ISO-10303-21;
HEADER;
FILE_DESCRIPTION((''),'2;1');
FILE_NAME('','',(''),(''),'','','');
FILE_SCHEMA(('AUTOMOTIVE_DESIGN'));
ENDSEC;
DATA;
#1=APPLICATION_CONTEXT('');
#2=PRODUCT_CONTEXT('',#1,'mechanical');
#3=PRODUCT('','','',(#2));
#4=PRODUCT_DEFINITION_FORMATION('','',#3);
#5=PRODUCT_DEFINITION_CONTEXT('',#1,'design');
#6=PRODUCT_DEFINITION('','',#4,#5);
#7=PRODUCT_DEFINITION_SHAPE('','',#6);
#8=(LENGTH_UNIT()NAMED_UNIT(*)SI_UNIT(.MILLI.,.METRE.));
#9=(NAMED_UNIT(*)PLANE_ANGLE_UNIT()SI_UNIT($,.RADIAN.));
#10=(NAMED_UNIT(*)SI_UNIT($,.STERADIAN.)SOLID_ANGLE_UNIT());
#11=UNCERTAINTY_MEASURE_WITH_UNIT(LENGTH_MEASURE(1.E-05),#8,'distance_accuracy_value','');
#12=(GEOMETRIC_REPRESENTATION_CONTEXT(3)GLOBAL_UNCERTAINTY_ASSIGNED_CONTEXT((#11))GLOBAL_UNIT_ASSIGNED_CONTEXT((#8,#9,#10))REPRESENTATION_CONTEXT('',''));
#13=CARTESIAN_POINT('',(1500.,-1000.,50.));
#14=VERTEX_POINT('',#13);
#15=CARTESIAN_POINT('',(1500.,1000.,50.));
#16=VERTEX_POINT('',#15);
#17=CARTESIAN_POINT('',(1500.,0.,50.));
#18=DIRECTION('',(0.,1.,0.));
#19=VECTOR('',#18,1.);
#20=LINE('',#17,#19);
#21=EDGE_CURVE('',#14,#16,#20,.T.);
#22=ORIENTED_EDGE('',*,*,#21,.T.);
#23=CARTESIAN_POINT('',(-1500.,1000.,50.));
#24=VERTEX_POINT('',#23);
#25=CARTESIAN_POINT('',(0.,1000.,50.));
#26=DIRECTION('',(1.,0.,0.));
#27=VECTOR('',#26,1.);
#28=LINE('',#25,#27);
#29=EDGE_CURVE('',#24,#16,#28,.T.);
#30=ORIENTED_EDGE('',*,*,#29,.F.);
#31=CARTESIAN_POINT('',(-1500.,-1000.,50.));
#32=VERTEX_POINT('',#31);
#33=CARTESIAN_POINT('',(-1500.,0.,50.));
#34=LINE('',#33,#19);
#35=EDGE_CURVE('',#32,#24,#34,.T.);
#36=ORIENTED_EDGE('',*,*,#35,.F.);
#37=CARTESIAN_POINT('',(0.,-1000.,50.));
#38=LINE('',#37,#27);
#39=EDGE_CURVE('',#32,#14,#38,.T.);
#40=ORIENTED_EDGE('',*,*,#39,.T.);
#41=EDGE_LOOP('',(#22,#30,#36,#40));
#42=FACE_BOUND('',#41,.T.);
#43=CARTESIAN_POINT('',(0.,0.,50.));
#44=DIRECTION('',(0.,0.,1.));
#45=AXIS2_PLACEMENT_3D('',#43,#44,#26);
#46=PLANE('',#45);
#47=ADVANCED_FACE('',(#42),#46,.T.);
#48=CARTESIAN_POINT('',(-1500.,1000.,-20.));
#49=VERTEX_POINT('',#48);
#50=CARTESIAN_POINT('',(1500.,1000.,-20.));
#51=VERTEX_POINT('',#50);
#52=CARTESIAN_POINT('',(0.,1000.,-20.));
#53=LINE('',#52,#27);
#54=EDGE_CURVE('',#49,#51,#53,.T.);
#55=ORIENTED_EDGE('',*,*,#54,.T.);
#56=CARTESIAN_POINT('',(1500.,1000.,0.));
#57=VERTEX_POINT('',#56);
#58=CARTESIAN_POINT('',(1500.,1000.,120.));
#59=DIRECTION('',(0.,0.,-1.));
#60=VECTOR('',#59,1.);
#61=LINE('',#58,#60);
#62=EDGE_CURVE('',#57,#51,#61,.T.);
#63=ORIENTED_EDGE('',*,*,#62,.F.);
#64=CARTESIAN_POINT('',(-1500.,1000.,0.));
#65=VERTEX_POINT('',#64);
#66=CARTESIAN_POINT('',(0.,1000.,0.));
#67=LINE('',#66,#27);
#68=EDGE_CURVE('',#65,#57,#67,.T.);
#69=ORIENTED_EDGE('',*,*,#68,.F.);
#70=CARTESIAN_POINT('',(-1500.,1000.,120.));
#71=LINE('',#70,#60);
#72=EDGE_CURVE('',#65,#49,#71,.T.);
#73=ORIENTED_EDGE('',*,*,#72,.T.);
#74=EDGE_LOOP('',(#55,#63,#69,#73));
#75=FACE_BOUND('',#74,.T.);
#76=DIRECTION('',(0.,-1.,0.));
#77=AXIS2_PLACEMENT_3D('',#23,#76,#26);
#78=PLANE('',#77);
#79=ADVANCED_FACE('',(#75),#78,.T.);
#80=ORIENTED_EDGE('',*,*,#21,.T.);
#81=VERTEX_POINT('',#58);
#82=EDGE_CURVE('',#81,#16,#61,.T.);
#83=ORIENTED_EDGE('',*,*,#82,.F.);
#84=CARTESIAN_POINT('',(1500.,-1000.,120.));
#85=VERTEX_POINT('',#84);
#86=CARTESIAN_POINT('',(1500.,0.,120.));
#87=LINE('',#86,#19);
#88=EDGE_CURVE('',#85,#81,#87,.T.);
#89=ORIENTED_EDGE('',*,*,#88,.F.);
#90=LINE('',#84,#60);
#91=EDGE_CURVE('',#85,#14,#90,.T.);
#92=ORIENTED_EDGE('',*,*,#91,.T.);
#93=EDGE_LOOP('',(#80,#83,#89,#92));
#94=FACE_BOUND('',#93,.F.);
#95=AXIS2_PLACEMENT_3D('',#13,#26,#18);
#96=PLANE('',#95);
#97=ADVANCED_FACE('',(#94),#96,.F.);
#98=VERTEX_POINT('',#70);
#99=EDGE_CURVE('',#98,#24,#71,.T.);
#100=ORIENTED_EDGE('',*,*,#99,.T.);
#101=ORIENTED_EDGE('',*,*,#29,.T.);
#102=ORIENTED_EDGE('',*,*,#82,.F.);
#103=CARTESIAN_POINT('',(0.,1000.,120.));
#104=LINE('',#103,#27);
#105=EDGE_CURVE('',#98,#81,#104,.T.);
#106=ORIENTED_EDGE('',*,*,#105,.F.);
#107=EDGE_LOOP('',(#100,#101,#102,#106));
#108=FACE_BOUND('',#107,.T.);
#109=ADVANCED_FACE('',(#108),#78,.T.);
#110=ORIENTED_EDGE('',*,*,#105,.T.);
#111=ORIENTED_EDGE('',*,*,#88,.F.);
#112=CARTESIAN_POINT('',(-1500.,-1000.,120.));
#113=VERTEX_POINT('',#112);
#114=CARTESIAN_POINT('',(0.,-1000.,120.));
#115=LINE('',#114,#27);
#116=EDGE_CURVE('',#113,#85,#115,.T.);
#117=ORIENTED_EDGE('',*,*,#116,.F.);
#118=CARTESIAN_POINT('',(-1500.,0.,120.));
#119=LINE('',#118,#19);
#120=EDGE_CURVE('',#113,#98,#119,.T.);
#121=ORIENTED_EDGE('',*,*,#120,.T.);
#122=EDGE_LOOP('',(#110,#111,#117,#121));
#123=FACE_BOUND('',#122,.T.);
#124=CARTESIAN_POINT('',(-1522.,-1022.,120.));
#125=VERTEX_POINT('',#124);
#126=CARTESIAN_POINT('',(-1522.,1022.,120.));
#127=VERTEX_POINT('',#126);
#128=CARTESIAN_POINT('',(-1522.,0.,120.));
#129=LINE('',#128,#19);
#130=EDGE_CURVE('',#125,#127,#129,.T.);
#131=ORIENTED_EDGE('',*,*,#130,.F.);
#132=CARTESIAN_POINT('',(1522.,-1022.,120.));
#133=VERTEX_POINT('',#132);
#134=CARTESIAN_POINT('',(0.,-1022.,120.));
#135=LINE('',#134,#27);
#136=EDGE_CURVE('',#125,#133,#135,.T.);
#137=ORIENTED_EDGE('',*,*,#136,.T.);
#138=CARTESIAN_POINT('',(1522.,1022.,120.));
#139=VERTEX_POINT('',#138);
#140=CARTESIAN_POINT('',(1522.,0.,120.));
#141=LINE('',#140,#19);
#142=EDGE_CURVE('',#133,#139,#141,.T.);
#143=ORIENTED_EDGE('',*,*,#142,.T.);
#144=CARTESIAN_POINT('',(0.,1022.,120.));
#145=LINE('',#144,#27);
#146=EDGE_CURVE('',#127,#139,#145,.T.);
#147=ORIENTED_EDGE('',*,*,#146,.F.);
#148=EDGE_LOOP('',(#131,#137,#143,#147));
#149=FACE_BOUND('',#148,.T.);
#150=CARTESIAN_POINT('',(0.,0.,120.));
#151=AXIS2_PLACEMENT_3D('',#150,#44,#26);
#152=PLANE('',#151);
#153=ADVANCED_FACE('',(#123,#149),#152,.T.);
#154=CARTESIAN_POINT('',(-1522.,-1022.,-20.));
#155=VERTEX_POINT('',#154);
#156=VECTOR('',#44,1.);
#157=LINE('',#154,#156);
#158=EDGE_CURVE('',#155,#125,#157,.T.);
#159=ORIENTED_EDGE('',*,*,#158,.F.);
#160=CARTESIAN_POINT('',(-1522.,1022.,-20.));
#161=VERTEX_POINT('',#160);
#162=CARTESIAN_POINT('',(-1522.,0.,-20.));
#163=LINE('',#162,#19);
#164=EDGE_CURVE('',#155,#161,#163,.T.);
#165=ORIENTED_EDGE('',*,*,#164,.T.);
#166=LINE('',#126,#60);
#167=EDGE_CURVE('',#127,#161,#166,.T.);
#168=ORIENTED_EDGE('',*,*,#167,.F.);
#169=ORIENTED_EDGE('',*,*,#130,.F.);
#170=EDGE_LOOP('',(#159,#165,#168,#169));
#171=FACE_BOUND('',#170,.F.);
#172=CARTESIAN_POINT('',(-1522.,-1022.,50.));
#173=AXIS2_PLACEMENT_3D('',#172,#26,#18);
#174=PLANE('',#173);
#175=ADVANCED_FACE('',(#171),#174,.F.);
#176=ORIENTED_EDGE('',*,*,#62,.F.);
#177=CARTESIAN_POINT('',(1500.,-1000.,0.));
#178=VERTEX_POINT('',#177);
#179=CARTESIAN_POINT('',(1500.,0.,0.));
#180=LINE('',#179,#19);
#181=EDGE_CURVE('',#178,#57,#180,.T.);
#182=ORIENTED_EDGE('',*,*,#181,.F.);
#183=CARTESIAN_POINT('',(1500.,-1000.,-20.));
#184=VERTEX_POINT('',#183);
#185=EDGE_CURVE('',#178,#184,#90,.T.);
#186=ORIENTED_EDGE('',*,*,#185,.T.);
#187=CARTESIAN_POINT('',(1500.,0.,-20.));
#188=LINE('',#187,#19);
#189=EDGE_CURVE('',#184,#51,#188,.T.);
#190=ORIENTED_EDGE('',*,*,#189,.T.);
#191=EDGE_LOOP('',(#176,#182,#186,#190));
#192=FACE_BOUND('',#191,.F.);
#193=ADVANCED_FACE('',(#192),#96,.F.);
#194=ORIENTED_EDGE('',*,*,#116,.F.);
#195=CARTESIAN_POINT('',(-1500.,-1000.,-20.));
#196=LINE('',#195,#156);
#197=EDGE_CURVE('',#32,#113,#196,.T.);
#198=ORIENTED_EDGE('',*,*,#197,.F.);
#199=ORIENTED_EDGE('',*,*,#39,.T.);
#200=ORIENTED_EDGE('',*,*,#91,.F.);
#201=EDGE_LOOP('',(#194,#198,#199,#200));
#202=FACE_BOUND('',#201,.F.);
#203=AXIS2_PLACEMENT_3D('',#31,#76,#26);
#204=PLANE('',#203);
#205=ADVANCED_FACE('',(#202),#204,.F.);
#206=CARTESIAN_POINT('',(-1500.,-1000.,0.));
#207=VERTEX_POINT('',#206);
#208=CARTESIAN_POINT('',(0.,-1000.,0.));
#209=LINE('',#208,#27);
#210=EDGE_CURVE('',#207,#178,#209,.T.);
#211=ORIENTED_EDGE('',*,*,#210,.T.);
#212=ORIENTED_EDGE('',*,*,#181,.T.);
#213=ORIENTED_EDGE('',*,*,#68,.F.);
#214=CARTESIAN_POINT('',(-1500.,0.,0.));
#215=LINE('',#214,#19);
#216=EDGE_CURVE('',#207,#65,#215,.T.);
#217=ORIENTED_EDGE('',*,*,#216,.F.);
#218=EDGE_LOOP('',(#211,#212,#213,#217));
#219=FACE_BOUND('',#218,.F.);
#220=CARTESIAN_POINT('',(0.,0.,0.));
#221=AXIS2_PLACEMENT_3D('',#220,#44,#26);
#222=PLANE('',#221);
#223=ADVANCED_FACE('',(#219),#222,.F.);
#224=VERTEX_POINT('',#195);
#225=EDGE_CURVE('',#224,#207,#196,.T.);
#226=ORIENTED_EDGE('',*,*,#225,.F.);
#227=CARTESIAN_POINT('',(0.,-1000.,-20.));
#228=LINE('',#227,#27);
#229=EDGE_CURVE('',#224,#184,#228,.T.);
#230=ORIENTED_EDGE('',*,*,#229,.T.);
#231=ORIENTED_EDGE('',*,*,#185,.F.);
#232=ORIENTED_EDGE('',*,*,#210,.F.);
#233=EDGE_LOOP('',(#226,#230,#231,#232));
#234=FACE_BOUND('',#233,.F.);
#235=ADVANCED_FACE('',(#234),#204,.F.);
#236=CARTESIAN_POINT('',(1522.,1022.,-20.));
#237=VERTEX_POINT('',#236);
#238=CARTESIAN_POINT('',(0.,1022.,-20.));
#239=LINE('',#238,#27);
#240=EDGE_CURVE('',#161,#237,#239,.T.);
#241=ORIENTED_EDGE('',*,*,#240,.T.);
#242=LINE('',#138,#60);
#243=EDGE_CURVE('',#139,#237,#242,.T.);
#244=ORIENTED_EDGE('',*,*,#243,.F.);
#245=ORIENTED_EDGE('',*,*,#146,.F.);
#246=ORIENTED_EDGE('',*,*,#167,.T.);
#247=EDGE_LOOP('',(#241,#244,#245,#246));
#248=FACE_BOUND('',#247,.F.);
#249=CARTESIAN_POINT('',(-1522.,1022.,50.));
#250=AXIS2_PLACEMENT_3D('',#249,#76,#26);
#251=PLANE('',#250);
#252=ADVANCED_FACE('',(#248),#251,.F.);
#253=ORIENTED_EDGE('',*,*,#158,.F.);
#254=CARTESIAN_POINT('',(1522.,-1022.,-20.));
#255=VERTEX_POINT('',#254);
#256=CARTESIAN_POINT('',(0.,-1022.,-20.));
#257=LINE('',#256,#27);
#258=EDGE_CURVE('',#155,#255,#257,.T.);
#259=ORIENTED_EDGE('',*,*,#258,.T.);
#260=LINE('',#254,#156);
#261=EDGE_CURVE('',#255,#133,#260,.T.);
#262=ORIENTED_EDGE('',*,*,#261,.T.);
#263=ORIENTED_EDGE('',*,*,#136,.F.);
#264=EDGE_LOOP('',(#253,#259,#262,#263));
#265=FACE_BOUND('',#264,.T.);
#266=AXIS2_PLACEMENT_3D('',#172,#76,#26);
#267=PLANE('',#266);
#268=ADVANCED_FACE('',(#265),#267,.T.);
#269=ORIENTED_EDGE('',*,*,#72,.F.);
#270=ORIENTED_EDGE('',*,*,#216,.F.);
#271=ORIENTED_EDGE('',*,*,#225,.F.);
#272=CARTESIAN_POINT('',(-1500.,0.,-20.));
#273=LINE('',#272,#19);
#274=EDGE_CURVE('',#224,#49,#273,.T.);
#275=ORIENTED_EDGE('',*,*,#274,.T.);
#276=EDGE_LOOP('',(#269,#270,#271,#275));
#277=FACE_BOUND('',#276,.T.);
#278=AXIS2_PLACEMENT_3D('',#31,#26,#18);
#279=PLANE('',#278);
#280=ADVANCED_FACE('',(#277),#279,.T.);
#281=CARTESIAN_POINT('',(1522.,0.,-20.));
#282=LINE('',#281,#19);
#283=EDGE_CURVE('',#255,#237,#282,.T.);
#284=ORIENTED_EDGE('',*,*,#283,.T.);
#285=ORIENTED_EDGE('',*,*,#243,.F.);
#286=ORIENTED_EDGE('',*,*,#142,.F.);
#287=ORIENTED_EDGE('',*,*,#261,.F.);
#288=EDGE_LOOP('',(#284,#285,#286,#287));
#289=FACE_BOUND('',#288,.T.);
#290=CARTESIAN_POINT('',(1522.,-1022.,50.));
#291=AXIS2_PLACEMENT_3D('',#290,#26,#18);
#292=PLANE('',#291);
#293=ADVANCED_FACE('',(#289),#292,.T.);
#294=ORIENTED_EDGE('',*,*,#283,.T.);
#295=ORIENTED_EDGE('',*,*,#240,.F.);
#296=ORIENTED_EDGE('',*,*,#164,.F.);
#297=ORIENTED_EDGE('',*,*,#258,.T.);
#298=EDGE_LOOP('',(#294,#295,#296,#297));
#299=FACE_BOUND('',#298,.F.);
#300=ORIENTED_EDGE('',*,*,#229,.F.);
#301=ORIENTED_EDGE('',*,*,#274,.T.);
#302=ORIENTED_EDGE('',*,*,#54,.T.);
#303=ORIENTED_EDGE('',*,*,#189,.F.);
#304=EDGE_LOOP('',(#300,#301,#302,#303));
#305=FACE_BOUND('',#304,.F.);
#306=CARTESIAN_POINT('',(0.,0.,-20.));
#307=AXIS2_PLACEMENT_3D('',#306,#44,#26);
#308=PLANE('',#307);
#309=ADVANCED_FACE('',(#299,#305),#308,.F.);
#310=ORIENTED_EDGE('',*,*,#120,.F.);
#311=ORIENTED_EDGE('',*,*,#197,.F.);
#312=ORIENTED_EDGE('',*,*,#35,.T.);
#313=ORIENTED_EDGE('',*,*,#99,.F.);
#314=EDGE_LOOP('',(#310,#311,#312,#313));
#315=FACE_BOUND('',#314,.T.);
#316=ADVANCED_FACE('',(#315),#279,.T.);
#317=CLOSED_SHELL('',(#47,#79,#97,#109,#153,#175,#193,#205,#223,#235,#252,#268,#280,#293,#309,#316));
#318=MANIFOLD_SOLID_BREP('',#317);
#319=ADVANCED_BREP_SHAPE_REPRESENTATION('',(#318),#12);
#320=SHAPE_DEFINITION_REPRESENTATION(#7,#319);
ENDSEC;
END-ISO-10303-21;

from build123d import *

# Parameters (mm, degrees)
SKETCH_W      = 3000
SKETCH_H      = 2000
PAD_DEPTH     = 50
SKETCH001_W   = 3044
SKETCH001_H   = 2044
SKETCH001_W_2 = 3000
SKETCH001_H_2 = 2000
PAD001_DEPTH  = 70


with BuildPart() as part:
    # Sketch → Pad (new body)
    with BuildSketch(Plane.XY):
        Rectangle(SKETCH_W, SKETCH_H)
    extrude(amount=PAD_DEPTH)

    # Sketch001 → Pad001 (new body, symmetric)
    with BuildSketch(Plane.XY.offset(50)):
        Rectangle(SKETCH001_W, SKETCH001_H)
        Rectangle(SKETCH001_W_2, SKETCH001_H_2, mode=Mode.SUBTRACT)
    extrude(amount=PAD001_DEPTH, both=True)


solid = part.part
